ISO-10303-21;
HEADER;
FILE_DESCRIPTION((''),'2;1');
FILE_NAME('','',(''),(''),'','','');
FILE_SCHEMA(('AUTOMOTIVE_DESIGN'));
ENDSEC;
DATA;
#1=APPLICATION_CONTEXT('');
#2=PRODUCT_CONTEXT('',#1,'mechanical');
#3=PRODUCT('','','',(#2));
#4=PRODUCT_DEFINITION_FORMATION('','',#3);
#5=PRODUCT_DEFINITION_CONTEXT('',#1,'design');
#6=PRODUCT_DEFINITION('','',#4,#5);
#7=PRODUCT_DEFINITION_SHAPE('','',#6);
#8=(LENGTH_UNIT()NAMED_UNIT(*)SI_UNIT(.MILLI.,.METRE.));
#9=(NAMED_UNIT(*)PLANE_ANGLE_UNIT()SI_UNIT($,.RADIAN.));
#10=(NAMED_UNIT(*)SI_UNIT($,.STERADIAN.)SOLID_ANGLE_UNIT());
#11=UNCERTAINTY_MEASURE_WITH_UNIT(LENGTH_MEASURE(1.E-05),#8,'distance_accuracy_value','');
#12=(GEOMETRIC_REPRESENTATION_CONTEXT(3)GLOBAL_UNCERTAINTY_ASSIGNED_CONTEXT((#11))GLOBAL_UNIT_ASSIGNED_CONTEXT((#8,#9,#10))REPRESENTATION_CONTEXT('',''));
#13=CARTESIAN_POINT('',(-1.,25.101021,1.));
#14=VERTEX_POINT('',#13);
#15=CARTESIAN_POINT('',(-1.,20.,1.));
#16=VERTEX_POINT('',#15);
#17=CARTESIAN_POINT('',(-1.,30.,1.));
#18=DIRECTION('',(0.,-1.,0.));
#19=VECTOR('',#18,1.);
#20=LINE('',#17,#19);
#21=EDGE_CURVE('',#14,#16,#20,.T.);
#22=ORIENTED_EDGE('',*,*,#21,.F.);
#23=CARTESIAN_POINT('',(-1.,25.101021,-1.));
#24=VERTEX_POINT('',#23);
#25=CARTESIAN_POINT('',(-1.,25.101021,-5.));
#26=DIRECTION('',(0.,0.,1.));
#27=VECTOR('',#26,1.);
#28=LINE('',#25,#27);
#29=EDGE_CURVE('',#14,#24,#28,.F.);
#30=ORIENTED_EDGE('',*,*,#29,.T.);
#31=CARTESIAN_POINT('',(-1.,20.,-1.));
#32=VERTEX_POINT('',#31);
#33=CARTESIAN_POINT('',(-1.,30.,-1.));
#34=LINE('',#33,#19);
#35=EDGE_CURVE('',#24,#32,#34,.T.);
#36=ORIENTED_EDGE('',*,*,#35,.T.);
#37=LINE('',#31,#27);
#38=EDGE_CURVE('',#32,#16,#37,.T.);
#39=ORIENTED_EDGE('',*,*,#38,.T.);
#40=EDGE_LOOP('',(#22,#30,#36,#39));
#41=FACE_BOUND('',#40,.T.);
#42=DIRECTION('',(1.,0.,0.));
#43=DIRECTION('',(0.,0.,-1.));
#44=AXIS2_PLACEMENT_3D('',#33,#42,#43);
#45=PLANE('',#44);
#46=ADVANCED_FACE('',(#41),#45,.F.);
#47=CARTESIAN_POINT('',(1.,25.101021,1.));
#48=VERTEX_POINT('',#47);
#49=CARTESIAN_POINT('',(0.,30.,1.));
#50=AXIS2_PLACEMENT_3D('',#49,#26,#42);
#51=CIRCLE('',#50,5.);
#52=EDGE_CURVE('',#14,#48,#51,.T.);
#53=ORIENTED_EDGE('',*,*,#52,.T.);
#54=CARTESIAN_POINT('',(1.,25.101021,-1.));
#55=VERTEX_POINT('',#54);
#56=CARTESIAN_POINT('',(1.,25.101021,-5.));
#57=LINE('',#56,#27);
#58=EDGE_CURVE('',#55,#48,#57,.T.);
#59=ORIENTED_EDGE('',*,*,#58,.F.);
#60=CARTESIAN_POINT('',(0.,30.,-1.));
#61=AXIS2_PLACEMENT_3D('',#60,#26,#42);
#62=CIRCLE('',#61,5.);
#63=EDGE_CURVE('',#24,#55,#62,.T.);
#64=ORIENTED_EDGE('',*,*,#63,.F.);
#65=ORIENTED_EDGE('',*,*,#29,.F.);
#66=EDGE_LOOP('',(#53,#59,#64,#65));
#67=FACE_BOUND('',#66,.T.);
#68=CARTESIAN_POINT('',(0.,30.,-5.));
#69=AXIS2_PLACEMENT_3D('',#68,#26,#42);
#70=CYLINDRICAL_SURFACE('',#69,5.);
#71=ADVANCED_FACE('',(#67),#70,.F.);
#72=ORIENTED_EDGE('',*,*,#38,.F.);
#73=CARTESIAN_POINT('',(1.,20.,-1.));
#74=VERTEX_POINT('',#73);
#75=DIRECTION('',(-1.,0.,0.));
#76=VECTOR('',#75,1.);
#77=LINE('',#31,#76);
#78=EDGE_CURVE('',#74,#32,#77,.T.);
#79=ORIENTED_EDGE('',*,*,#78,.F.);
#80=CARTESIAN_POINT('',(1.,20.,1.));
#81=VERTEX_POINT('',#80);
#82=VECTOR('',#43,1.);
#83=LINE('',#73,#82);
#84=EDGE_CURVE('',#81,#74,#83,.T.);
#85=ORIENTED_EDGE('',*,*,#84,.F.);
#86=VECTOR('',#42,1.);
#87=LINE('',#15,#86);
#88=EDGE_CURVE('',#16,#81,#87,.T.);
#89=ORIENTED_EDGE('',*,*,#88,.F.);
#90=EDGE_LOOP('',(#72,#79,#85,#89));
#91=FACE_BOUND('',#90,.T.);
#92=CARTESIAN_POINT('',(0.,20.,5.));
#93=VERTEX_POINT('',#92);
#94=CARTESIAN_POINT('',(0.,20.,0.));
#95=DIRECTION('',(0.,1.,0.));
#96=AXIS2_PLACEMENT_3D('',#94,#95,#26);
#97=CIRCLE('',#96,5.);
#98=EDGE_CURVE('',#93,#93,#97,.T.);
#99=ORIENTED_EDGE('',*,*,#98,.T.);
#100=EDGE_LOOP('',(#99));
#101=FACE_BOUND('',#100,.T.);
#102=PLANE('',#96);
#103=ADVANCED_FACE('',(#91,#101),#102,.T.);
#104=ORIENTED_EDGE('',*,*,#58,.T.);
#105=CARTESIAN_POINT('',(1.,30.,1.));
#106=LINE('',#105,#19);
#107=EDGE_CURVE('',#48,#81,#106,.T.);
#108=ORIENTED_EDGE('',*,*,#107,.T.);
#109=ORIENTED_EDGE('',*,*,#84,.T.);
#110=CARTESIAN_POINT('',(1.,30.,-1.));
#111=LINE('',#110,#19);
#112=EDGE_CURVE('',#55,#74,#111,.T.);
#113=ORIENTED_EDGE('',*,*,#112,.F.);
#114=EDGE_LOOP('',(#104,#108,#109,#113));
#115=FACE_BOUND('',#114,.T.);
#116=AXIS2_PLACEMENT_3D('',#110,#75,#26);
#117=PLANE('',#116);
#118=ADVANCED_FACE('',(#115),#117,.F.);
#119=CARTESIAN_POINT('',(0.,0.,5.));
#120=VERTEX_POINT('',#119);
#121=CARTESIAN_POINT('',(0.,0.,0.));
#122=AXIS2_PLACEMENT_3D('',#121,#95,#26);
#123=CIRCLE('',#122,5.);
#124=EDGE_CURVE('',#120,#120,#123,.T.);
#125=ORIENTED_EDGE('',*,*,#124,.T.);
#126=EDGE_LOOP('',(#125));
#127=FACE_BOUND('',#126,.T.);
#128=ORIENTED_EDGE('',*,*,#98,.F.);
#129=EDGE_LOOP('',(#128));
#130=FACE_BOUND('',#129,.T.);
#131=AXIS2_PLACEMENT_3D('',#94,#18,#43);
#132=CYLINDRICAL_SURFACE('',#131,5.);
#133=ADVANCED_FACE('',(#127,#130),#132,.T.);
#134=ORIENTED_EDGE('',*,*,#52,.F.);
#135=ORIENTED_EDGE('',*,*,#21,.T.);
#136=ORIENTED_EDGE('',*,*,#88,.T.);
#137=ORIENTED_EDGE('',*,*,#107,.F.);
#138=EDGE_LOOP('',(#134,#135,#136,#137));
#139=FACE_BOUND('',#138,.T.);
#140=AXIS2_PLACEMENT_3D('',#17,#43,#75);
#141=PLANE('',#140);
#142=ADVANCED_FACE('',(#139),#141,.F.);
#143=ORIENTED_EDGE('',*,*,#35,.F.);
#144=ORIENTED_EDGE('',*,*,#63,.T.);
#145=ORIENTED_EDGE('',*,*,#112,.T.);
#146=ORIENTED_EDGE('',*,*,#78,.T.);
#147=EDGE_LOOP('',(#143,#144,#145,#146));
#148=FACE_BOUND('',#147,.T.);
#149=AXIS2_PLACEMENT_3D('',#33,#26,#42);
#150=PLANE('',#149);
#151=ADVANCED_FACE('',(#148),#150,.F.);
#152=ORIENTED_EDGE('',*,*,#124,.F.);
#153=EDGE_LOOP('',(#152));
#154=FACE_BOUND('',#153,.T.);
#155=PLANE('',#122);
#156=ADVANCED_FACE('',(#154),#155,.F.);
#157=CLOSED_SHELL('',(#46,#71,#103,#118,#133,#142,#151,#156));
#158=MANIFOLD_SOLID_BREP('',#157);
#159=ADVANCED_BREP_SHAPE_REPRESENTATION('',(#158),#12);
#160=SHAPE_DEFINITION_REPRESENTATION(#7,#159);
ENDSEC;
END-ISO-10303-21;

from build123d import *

# Parameters (mm, degrees)
SKETCH1_R           = 5
BOSS_EXTRUDE1_DEPTH = 20
SKETCH2_W           = 2
SKETCH2_H           = 2
BOSS_EXTRUDE2_DEPTH = 10
SKETCH3_R           = 5
CUT_EXTRUDE1_DEPTH  = 32


with BuildPart() as part:
    # Sketch1 → Boss-Extrude1 (new body)
    with BuildSketch(Plane(origin=(0, 0, 0), x_dir=(1, 0, 0), z_dir=(0, 1, 0))):
        with Locations(Location((0, 0, 0), (0, 0, 270))):
            Circle(SKETCH1_R)
    extrude(amount=BOSS_EXTRUDE1_DEPTH)

    # Sketch2 → Boss-Extrude2 (add)
    with BuildSketch(Plane(origin=(0, 20, 0), x_dir=(1, 0, 0), z_dir=(0, 1, 0))):
        Rectangle(SKETCH2_W, SKETCH2_H)
    extrude(amount=BOSS_EXTRUDE2_DEPTH)

    # Sketch3 → Cut-Extrude1 (cut, through all)
    with BuildSketch(Plane.XY.offset(1)):
        with Locations((0, 30)):
            Circle(SKETCH3_R)
    extrude(amount=-CUT_EXTRUDE1_DEPTH, mode=Mode.SUBTRACT)


solid = part.part
